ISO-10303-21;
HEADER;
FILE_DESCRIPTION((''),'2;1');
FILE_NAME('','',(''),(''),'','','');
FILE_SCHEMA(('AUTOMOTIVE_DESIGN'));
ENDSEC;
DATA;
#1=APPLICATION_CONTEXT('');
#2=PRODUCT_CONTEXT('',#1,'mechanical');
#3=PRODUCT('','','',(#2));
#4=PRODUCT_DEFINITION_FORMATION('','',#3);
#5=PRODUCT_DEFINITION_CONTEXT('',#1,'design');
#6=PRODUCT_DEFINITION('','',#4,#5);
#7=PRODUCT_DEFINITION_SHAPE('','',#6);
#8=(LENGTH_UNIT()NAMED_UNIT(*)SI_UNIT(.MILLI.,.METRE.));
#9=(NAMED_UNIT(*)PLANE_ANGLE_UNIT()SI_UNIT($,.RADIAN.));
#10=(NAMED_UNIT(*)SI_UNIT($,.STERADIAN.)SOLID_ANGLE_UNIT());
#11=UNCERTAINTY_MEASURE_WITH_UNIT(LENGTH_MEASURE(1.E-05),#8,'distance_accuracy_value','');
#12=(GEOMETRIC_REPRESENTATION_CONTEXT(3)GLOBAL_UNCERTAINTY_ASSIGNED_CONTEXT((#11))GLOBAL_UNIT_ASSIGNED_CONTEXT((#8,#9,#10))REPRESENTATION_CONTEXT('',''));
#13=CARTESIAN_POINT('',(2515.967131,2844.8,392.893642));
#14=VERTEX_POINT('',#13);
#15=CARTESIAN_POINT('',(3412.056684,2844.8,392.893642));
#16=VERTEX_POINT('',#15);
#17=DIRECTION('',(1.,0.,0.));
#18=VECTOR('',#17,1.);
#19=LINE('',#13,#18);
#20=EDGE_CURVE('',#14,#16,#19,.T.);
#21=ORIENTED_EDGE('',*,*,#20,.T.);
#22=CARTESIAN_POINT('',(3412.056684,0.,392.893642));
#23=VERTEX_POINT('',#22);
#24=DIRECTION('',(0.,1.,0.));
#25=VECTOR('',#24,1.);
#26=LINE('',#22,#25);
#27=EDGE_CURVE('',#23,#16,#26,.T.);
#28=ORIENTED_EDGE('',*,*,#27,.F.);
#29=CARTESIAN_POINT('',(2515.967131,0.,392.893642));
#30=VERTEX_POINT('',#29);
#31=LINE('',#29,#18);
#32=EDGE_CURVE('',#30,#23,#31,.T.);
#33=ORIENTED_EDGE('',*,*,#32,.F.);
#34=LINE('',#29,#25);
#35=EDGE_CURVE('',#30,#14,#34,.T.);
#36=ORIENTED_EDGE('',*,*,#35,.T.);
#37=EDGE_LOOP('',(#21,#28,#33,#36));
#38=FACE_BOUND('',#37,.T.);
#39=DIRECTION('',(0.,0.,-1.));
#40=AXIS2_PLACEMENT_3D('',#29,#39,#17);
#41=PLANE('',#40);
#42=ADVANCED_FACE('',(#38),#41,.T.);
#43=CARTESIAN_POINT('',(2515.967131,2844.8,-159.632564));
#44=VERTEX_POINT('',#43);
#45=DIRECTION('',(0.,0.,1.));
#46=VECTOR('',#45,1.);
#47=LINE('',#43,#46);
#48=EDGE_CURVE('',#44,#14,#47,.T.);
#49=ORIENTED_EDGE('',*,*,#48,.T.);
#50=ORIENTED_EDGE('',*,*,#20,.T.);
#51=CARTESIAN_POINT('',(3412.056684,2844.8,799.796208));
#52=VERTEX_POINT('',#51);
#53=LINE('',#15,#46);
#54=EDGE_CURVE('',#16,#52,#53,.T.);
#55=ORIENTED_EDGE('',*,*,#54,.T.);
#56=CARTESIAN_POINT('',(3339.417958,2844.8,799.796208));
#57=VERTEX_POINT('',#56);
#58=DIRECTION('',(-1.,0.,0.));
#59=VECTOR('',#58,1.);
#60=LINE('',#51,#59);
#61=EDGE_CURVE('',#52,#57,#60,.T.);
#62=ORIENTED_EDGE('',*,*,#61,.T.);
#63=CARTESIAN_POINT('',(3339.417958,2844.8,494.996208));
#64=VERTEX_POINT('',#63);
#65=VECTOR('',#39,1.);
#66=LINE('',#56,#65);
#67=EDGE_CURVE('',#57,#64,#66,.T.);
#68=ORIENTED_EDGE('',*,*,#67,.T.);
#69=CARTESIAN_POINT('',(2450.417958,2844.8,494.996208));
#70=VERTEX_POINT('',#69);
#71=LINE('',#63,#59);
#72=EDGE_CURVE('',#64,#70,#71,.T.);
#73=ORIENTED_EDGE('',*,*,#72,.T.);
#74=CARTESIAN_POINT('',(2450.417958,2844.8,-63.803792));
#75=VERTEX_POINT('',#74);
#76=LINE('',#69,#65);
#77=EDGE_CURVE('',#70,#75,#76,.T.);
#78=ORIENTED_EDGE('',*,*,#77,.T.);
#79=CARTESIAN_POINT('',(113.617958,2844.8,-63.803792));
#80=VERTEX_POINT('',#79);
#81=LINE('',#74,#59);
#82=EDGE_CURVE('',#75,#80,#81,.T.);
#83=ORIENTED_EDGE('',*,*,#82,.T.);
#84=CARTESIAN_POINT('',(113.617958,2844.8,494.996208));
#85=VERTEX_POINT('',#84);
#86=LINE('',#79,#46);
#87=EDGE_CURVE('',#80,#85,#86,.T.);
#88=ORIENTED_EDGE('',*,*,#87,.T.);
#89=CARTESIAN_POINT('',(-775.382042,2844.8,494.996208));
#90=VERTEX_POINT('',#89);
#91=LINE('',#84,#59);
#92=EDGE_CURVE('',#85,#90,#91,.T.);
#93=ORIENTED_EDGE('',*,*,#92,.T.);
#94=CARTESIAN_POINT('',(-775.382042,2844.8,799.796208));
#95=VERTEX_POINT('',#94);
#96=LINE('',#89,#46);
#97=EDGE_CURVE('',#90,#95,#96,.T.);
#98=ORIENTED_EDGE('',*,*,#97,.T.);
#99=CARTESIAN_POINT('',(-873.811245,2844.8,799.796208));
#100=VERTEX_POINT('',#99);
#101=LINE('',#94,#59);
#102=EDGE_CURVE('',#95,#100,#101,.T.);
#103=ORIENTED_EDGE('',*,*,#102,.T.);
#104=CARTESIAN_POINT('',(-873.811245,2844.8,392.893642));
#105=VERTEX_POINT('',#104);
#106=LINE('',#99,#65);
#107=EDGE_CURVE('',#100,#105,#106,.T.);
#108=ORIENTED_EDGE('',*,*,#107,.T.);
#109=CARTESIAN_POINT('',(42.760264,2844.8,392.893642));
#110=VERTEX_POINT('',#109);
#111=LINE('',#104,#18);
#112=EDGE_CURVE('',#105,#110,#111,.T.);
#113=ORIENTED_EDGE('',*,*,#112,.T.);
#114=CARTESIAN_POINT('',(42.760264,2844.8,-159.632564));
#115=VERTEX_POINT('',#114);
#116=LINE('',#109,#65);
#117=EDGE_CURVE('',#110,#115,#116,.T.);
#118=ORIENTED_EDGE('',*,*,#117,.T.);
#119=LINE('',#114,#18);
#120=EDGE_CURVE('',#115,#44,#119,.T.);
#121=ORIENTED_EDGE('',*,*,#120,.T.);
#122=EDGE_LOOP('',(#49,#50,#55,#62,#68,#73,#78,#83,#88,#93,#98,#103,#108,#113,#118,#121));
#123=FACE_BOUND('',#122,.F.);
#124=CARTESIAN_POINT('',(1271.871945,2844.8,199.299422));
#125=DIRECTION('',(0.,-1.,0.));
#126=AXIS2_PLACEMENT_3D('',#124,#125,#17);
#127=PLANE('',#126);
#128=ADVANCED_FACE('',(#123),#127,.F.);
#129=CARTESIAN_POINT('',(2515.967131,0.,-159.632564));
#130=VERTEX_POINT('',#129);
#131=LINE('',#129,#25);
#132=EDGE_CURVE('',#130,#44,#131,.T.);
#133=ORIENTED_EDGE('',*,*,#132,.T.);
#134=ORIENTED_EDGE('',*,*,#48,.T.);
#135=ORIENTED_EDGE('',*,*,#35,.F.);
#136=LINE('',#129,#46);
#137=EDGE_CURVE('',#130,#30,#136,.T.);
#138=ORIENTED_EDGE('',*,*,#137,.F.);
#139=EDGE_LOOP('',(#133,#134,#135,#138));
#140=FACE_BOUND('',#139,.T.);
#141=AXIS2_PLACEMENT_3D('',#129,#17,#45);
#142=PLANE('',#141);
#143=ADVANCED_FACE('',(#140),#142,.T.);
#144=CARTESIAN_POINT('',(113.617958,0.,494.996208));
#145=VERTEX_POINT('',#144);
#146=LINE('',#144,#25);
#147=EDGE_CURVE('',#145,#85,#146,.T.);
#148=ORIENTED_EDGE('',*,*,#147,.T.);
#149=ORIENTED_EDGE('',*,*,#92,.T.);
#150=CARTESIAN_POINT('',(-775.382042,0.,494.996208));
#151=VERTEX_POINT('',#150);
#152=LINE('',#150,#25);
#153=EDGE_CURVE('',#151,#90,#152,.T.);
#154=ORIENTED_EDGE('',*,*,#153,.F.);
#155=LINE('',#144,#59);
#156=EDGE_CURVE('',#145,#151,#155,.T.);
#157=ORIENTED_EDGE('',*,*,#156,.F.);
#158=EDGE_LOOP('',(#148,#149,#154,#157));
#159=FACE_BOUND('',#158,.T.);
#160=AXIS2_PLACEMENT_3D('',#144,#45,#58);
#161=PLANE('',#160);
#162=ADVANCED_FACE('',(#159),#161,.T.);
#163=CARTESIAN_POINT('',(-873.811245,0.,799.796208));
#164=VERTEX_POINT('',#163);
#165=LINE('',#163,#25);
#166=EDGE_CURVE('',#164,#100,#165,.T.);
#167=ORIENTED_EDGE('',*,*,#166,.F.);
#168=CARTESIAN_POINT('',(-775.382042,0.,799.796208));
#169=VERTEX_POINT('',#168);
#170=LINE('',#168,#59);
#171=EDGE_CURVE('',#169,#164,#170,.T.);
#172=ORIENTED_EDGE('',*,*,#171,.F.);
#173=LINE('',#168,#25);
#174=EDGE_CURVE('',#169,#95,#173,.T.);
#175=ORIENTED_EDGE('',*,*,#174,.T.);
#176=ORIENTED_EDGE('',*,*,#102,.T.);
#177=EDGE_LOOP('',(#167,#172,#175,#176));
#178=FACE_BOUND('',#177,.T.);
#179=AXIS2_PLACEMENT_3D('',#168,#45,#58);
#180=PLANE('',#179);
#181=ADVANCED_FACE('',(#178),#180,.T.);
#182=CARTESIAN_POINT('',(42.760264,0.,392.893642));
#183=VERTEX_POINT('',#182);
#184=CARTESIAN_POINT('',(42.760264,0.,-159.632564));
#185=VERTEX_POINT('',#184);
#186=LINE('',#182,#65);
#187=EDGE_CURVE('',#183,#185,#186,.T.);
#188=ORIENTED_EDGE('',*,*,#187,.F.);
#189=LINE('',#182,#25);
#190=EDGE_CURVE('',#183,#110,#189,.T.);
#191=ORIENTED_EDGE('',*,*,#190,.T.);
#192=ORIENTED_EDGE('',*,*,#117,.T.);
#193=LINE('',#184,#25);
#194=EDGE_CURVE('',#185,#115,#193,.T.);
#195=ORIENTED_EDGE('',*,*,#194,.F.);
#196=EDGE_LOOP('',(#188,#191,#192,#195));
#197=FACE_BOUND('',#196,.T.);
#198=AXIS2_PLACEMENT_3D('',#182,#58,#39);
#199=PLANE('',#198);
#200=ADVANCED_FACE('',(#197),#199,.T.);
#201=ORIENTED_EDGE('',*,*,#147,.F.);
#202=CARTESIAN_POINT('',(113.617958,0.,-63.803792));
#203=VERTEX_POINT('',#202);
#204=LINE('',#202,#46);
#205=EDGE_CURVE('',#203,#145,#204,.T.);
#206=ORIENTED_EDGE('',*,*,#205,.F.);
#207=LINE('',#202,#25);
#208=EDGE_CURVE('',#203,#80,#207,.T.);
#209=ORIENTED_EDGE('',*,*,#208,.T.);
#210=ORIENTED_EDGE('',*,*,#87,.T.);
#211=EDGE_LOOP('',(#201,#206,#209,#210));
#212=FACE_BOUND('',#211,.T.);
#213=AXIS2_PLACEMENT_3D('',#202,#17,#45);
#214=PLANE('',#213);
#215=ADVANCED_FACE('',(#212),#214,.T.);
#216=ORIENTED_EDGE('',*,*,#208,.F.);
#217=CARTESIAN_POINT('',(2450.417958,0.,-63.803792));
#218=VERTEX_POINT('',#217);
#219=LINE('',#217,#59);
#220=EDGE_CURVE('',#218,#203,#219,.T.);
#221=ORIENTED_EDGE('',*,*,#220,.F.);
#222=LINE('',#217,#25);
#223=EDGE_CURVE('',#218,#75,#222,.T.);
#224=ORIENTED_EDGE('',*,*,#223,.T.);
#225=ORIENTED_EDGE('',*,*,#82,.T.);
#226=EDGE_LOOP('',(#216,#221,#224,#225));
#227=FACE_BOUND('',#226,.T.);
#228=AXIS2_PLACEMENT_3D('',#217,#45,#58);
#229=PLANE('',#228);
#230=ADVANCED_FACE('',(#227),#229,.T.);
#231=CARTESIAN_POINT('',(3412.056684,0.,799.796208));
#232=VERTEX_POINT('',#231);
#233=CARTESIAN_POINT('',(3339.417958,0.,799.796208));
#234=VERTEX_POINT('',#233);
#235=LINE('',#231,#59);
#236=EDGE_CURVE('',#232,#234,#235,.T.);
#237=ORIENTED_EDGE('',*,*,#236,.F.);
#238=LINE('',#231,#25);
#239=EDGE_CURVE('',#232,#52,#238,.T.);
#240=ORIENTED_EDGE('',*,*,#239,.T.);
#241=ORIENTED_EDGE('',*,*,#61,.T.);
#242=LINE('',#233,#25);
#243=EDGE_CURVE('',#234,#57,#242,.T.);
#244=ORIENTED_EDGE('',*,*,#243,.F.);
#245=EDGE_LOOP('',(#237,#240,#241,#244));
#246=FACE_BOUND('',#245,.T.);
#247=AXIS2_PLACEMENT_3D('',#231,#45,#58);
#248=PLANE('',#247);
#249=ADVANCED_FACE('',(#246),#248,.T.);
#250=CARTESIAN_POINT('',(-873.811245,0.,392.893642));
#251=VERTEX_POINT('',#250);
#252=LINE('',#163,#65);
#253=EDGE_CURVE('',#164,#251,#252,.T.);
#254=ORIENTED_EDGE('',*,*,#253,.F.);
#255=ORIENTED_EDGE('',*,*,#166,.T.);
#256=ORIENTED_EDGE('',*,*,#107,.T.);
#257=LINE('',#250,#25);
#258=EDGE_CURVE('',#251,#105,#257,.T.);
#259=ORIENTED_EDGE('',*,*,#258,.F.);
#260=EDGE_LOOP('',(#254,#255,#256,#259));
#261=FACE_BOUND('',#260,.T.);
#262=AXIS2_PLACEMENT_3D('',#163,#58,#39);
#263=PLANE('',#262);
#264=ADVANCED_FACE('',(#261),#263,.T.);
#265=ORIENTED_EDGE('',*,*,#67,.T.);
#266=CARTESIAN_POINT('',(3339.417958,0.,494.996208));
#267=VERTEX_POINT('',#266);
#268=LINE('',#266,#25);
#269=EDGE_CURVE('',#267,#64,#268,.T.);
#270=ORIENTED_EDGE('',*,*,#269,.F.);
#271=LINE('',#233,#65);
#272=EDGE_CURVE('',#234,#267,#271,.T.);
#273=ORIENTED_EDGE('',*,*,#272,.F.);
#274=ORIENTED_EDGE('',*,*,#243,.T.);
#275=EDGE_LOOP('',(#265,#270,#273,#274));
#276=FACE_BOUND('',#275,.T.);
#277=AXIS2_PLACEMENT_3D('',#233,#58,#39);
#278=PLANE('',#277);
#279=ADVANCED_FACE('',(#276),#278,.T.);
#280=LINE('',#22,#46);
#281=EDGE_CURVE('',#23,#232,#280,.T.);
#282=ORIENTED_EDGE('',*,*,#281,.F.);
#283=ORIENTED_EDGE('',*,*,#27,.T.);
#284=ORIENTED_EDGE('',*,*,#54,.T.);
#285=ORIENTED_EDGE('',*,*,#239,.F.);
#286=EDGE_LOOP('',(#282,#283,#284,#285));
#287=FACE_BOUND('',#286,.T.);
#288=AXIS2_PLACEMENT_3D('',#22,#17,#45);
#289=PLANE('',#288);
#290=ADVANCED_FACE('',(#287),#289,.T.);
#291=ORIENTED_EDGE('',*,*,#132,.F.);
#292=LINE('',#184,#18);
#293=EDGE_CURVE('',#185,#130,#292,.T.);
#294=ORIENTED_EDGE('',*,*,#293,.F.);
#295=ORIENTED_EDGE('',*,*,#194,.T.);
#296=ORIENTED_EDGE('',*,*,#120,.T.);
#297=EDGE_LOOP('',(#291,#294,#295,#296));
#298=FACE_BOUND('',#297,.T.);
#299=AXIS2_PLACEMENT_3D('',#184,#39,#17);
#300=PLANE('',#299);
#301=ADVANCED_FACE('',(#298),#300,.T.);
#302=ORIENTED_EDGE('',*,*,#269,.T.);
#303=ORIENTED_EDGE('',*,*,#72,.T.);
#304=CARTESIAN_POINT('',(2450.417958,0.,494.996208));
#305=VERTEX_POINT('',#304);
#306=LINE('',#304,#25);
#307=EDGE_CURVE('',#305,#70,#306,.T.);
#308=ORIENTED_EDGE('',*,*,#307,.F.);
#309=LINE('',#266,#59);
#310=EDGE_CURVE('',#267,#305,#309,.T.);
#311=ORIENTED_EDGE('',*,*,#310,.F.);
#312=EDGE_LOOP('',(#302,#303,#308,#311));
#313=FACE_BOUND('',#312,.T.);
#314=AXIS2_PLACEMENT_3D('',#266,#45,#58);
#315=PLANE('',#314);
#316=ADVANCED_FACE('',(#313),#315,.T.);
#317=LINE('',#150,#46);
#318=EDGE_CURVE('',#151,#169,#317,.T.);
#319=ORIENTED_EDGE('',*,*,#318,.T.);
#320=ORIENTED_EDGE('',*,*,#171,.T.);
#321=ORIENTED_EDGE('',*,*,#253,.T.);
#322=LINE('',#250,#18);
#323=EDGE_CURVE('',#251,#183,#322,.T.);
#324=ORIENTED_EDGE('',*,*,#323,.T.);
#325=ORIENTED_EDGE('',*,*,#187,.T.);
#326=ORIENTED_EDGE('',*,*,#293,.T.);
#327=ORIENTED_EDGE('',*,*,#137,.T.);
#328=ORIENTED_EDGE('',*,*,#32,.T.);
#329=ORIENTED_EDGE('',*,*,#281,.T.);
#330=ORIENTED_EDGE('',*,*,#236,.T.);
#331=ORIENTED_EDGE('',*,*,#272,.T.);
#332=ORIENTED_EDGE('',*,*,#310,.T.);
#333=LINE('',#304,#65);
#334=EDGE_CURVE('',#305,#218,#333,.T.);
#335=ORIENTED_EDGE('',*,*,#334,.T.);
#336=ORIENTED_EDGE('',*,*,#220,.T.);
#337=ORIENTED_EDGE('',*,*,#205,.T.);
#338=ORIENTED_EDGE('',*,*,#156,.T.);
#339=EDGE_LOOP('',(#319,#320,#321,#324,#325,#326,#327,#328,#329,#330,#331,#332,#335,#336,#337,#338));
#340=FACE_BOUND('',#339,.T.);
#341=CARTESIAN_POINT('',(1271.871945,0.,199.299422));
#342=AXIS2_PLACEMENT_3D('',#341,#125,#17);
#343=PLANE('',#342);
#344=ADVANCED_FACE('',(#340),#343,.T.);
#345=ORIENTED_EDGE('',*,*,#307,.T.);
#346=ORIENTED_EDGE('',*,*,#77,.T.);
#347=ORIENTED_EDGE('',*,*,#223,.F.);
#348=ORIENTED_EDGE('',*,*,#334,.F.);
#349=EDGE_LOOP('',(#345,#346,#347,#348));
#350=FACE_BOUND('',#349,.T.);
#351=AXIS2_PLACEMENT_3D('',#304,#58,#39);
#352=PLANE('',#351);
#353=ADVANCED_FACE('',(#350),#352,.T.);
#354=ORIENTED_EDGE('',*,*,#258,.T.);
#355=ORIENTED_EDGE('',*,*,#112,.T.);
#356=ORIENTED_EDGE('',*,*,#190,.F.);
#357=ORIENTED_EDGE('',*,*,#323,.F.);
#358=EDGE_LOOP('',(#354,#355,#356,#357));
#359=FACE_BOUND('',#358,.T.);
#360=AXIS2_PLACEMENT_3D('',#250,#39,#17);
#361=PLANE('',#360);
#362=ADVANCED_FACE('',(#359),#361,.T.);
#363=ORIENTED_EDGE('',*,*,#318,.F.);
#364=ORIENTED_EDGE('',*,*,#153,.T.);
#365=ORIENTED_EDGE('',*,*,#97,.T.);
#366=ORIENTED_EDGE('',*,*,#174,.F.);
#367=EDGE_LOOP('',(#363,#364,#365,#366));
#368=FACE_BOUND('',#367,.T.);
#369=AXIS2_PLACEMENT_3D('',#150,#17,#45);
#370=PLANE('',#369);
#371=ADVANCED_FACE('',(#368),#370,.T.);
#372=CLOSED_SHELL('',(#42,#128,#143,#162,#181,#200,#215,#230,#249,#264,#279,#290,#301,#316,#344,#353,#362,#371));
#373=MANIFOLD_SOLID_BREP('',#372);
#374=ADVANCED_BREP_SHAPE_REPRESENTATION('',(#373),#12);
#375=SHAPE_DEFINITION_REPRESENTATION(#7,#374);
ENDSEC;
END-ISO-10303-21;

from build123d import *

# Parameters (mm, degrees)
F1_DEPTH = 2844.8


with BuildPart() as f1:
    # F0 (on Front) → F1 (new body)
    with BuildSketch(Plane.XZ):
        Polygon((2450.417958, -63.803792), (113.617958, -63.803792), (113.617958, 494.996208), (-775.382042, 494.996208), (-775.382042, 799.796208), (-873.811245, 799.796208), (-873.811245, 392.893642), (42.760264, 392.893642), (42.760264, -159.632564), (2515.967131, -159.632564), (2515.967131, 392.893642), (3412.056684, 392.893642), (3412.056684, 799.796208), (3339.417958, 799.796208), (3339.417958, 494.996208), (2450.417958, 494.996208), align=None)
    extrude(amount=-F1_DEPTH)


solid = f1.part
